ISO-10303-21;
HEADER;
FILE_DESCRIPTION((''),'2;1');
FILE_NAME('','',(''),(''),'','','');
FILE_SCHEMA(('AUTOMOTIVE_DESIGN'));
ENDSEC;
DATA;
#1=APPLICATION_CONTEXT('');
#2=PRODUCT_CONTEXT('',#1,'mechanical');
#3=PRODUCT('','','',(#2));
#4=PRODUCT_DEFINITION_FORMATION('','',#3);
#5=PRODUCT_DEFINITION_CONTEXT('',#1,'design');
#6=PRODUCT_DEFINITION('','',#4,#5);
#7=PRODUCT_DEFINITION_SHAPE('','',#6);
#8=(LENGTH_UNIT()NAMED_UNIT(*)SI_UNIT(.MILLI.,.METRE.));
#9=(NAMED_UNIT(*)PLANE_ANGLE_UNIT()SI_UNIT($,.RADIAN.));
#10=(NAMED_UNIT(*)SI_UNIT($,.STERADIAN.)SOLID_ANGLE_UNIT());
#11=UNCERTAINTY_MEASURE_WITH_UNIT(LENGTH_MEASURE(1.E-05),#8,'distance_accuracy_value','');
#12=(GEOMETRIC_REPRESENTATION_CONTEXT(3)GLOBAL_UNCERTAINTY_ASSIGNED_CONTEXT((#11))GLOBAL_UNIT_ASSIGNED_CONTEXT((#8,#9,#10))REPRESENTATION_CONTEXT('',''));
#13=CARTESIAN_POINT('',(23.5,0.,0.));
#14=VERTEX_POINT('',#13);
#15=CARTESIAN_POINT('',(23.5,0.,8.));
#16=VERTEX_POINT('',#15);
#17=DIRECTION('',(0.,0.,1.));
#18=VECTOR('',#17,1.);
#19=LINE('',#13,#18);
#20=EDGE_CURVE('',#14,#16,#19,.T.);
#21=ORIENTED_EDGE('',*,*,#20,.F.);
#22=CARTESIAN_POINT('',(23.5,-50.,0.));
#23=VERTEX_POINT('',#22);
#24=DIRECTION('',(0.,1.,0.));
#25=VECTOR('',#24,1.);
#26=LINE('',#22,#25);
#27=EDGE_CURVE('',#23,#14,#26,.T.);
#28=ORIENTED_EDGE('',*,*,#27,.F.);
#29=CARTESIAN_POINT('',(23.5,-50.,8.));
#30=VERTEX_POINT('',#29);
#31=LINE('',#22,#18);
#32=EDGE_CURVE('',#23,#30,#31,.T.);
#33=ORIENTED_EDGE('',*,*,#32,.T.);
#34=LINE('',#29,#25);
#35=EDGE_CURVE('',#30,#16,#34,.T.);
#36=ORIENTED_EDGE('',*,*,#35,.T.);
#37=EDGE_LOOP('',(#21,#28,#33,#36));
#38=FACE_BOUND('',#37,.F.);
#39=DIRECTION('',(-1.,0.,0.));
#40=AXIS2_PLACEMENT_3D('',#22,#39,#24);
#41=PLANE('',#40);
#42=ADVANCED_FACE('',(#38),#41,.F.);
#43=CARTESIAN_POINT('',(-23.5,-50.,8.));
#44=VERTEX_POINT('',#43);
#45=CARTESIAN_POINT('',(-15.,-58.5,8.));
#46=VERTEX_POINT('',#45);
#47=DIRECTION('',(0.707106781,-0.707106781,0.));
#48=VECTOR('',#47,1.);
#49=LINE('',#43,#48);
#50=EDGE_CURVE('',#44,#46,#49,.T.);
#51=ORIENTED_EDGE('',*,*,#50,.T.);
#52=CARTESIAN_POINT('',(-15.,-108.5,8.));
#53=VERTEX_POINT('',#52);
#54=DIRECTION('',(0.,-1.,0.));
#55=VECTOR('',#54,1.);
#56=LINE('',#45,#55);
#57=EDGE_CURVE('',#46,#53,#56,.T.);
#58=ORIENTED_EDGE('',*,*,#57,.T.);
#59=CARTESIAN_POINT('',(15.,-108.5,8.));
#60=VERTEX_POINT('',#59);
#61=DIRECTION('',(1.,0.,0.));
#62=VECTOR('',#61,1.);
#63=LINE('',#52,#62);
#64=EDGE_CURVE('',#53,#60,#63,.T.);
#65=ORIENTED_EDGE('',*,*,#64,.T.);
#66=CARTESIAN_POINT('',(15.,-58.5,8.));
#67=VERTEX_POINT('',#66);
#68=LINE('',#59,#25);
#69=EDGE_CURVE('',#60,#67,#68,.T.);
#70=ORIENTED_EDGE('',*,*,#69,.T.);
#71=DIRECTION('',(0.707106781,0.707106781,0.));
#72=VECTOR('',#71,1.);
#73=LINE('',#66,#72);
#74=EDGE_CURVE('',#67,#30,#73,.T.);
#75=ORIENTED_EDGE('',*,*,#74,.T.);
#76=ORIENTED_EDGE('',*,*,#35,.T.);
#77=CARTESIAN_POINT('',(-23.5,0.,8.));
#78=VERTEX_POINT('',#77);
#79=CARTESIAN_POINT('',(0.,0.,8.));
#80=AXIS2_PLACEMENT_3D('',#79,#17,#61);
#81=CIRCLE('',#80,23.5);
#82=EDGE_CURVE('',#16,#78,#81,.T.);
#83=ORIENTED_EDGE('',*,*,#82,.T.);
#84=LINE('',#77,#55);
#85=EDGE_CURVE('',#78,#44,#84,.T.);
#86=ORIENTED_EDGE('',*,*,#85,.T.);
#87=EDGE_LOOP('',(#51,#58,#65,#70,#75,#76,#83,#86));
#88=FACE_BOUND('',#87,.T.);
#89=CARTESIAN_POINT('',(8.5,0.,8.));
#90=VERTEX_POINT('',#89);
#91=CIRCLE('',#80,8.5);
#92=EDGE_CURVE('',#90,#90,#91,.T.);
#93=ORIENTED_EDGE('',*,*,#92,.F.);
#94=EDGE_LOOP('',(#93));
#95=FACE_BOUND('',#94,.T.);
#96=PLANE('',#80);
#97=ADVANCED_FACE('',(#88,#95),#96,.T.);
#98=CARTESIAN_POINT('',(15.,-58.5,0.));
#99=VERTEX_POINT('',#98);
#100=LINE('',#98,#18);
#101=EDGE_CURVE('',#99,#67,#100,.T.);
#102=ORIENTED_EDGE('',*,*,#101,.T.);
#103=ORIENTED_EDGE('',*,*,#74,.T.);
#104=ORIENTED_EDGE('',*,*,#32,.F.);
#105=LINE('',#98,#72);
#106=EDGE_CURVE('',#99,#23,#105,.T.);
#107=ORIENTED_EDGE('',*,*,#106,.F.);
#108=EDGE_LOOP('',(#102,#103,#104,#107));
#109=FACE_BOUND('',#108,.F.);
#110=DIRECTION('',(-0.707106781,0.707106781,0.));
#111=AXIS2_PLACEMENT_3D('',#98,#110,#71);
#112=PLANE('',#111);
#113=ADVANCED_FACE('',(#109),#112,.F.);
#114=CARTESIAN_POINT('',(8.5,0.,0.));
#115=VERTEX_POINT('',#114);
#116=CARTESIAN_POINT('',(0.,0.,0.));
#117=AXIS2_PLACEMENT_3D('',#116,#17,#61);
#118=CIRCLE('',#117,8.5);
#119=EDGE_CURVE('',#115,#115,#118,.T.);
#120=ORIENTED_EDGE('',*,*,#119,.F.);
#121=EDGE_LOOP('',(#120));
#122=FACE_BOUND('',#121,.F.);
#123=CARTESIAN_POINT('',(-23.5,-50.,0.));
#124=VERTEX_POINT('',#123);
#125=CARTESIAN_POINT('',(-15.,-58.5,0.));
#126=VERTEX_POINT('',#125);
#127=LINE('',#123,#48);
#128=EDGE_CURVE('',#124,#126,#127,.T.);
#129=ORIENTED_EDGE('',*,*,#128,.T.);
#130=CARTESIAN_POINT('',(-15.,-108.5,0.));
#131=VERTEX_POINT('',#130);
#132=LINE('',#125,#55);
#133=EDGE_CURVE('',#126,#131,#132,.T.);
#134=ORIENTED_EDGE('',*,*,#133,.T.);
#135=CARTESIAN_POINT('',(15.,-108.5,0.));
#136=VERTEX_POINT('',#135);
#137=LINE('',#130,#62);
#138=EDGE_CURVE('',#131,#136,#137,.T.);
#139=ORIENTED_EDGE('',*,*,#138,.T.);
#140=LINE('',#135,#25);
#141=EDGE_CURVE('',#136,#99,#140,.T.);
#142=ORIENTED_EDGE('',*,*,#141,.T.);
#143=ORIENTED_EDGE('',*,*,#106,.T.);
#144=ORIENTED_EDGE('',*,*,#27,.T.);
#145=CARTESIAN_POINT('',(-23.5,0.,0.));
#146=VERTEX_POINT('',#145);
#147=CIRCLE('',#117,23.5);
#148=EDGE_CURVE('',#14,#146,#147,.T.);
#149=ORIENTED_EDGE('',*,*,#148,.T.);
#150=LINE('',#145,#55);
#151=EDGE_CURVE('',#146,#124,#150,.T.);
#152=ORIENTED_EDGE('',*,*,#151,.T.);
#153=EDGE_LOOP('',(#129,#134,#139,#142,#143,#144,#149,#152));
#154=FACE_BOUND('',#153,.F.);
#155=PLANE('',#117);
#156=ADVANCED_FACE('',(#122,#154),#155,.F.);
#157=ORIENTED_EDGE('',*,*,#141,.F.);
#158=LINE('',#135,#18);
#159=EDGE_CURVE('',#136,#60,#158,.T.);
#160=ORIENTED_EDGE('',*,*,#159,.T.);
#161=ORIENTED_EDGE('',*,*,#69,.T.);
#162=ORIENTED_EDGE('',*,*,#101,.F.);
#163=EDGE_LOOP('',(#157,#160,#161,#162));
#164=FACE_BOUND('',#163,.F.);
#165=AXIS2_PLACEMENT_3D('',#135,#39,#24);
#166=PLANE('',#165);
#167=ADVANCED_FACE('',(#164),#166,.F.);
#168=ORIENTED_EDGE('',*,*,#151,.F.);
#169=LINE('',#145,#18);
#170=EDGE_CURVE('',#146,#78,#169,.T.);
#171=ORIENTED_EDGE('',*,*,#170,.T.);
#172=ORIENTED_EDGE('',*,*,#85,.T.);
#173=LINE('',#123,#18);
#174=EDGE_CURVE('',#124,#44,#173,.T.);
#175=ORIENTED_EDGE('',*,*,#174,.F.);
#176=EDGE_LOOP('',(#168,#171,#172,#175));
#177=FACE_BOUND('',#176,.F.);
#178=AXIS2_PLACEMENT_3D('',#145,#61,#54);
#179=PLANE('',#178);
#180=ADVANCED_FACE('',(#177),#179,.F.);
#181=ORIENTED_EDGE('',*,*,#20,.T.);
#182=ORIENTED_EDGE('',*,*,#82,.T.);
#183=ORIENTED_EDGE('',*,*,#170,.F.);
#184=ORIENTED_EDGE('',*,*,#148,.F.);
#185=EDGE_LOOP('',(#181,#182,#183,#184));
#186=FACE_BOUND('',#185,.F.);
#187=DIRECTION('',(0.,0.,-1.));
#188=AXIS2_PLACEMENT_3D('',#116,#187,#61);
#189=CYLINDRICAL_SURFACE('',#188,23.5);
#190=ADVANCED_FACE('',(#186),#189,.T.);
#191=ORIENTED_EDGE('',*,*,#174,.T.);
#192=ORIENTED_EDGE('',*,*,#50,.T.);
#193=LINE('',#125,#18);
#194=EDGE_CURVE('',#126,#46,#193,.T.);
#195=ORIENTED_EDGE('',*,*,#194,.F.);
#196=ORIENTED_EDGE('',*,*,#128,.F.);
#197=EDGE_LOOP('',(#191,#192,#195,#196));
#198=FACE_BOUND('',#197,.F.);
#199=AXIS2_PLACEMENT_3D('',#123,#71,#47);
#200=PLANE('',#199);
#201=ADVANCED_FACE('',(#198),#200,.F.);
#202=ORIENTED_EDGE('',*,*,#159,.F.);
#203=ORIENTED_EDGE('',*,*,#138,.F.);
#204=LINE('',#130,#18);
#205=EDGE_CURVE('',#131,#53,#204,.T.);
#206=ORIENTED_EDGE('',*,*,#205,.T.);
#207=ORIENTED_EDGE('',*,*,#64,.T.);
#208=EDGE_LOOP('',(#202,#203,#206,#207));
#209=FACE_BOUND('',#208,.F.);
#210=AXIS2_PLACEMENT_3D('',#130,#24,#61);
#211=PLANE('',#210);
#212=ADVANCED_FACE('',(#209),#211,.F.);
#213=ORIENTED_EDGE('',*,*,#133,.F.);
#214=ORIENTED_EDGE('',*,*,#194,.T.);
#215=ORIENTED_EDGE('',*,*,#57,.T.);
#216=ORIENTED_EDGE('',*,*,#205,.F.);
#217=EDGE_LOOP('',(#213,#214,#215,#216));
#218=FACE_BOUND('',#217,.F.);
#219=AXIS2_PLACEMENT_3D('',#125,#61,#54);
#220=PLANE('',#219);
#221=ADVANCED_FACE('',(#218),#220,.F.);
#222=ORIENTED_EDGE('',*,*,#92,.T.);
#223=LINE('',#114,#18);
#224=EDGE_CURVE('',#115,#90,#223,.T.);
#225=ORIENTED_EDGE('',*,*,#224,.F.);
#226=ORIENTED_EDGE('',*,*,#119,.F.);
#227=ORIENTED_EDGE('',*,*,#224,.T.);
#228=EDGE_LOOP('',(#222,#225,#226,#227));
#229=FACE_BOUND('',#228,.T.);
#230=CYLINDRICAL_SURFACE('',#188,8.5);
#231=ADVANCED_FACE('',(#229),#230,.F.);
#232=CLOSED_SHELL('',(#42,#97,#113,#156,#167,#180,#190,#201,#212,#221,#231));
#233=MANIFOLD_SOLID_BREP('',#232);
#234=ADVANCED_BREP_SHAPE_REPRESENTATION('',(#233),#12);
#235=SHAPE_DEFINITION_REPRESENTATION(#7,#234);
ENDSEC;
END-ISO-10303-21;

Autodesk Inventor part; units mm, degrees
ref_plane "YZ Plane" through (0, 0, 0) normal (1, 0, 0) x (0, 1, 0)
ref_plane "XZ Plane" through (0, 0, 0) normal (0, 1, 0) x (-1, 0, 0)
ref_plane "XY Plane" through (0, 0, 0) normal (0, 0, 1) x (1, 0, 0)
sketch "Sketch1" plane through (0, 0, 0) normal (0, 0, 1) x (1, 0, 0)
  circle A0 centre (0, 0) radius 8.5
  arc A1 (23.5, 0) -> (-23.5, 0) centre (0, 0) ccw
  line L0 (-23.5, 0) -> (-23.5, -50)
  line L1 (-23.5, -50) -> (-15, -58.5)
  line L2 (-15, -58.5) -> (-15, -108.5)
  line L3 (-15, -108.5) -> (15, -108.5)
  line L4 (15, -108.5) -> (15, -58.5)
  line L5 (15, -58.5) -> (23.5, -50)
  line L6 (23.5, -50) -> (23.5, 0)
  line L7 (0, 0) -> (0, -108.5) construction
  dimension "d162" = 17
  dimension "d163" = 15
  dimension "d164" = 50
  dimension "d165" = 45
  dimension "d166" = 50
  dimension "d167" = 30
extrude "Plate5" add sketch "Sketch1" along normal blind 8
properties part number "PNS-073 stretch tear" material "Stainless Steel"
